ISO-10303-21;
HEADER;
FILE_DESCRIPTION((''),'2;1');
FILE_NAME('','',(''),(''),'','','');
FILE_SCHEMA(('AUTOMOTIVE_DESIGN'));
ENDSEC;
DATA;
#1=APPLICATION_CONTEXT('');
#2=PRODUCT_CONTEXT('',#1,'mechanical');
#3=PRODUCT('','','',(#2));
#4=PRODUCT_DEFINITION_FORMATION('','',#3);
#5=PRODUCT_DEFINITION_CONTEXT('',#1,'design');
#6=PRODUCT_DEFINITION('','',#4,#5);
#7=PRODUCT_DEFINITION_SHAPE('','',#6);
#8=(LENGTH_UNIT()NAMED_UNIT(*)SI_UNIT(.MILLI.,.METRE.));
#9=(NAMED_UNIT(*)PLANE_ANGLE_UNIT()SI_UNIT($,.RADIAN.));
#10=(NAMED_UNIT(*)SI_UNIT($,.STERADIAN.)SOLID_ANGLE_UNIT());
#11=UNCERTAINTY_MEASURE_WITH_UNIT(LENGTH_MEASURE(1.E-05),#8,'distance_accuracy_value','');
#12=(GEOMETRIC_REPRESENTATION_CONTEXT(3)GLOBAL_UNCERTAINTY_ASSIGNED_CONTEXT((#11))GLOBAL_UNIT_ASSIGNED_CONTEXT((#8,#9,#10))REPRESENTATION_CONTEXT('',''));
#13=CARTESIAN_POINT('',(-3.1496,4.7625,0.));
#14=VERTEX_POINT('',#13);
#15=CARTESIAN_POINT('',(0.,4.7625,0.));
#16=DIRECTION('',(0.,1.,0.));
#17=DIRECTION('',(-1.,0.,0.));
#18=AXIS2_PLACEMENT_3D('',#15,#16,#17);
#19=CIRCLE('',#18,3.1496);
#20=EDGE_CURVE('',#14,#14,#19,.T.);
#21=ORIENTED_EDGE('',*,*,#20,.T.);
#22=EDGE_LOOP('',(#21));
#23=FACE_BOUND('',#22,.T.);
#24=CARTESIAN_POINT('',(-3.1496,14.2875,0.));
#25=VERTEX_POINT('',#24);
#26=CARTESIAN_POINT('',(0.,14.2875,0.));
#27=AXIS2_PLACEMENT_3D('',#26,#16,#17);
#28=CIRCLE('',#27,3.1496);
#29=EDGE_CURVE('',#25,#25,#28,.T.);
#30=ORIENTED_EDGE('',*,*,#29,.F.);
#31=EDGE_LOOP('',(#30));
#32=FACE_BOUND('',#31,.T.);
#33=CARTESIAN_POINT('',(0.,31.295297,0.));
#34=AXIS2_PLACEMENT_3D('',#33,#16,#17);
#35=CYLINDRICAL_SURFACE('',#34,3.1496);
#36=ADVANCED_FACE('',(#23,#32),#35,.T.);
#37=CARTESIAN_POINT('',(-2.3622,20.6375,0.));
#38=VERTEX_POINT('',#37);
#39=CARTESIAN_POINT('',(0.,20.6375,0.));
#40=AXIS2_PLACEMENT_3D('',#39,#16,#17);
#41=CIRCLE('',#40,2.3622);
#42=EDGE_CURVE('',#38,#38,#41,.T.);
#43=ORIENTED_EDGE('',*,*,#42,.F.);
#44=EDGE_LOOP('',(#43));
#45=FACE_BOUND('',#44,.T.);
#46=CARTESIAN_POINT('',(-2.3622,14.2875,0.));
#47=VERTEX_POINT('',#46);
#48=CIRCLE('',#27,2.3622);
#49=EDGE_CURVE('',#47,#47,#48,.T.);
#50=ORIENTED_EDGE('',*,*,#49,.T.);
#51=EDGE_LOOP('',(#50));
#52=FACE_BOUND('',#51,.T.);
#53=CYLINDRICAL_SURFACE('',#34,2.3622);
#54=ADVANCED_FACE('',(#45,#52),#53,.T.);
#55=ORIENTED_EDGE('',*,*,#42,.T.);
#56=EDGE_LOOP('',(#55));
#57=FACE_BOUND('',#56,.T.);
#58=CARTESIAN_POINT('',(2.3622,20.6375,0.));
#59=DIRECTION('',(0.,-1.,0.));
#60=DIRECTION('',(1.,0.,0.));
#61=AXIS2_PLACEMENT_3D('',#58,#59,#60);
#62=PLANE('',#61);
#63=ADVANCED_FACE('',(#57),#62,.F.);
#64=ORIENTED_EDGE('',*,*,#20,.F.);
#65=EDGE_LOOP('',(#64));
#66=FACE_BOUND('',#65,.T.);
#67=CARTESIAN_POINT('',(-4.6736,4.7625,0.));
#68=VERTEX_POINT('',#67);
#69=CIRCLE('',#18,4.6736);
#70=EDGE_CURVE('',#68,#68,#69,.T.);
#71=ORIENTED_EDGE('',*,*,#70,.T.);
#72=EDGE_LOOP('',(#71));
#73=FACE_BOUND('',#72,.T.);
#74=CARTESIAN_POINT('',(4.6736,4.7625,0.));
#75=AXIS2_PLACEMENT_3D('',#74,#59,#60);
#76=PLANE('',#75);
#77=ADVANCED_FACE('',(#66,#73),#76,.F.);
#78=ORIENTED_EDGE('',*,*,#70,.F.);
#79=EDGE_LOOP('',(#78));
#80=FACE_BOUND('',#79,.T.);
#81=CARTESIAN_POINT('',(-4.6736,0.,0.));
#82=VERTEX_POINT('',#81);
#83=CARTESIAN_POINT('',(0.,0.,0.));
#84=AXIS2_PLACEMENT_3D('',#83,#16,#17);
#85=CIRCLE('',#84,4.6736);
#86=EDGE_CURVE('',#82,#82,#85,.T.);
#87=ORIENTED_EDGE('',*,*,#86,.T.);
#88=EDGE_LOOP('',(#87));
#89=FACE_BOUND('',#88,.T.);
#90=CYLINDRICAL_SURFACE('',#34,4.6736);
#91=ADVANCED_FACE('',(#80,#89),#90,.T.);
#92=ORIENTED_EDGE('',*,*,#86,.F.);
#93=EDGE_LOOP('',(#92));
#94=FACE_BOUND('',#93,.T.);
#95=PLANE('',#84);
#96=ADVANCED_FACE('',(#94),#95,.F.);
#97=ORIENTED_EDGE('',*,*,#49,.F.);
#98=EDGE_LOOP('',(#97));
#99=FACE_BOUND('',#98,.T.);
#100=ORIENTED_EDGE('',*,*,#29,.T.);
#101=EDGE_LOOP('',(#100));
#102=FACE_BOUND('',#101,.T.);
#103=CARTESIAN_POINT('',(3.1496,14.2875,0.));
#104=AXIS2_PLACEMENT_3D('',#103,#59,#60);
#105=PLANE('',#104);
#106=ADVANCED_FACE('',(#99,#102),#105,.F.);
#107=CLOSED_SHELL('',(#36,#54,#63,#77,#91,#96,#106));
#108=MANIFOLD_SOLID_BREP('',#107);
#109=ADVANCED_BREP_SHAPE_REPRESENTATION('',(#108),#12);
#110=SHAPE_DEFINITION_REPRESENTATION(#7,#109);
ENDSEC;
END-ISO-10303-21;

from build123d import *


with BuildPart() as part:
    # Sketch1 → Revolve1 (revolve)
    with BuildSketch(Plane.XY):
        Polygon((0, 0), (4.6736, 0), (4.6736, 4.7625), (3.1496, 4.7625), (3.1496, 14.2875), (2.3622, 14.2875), (2.3622, 20.6375), (0, 20.6375), align=None)
    revolve(axis=Axis((0, 31.295296656, 0), (0, -1, 0)))


solid = part.part
